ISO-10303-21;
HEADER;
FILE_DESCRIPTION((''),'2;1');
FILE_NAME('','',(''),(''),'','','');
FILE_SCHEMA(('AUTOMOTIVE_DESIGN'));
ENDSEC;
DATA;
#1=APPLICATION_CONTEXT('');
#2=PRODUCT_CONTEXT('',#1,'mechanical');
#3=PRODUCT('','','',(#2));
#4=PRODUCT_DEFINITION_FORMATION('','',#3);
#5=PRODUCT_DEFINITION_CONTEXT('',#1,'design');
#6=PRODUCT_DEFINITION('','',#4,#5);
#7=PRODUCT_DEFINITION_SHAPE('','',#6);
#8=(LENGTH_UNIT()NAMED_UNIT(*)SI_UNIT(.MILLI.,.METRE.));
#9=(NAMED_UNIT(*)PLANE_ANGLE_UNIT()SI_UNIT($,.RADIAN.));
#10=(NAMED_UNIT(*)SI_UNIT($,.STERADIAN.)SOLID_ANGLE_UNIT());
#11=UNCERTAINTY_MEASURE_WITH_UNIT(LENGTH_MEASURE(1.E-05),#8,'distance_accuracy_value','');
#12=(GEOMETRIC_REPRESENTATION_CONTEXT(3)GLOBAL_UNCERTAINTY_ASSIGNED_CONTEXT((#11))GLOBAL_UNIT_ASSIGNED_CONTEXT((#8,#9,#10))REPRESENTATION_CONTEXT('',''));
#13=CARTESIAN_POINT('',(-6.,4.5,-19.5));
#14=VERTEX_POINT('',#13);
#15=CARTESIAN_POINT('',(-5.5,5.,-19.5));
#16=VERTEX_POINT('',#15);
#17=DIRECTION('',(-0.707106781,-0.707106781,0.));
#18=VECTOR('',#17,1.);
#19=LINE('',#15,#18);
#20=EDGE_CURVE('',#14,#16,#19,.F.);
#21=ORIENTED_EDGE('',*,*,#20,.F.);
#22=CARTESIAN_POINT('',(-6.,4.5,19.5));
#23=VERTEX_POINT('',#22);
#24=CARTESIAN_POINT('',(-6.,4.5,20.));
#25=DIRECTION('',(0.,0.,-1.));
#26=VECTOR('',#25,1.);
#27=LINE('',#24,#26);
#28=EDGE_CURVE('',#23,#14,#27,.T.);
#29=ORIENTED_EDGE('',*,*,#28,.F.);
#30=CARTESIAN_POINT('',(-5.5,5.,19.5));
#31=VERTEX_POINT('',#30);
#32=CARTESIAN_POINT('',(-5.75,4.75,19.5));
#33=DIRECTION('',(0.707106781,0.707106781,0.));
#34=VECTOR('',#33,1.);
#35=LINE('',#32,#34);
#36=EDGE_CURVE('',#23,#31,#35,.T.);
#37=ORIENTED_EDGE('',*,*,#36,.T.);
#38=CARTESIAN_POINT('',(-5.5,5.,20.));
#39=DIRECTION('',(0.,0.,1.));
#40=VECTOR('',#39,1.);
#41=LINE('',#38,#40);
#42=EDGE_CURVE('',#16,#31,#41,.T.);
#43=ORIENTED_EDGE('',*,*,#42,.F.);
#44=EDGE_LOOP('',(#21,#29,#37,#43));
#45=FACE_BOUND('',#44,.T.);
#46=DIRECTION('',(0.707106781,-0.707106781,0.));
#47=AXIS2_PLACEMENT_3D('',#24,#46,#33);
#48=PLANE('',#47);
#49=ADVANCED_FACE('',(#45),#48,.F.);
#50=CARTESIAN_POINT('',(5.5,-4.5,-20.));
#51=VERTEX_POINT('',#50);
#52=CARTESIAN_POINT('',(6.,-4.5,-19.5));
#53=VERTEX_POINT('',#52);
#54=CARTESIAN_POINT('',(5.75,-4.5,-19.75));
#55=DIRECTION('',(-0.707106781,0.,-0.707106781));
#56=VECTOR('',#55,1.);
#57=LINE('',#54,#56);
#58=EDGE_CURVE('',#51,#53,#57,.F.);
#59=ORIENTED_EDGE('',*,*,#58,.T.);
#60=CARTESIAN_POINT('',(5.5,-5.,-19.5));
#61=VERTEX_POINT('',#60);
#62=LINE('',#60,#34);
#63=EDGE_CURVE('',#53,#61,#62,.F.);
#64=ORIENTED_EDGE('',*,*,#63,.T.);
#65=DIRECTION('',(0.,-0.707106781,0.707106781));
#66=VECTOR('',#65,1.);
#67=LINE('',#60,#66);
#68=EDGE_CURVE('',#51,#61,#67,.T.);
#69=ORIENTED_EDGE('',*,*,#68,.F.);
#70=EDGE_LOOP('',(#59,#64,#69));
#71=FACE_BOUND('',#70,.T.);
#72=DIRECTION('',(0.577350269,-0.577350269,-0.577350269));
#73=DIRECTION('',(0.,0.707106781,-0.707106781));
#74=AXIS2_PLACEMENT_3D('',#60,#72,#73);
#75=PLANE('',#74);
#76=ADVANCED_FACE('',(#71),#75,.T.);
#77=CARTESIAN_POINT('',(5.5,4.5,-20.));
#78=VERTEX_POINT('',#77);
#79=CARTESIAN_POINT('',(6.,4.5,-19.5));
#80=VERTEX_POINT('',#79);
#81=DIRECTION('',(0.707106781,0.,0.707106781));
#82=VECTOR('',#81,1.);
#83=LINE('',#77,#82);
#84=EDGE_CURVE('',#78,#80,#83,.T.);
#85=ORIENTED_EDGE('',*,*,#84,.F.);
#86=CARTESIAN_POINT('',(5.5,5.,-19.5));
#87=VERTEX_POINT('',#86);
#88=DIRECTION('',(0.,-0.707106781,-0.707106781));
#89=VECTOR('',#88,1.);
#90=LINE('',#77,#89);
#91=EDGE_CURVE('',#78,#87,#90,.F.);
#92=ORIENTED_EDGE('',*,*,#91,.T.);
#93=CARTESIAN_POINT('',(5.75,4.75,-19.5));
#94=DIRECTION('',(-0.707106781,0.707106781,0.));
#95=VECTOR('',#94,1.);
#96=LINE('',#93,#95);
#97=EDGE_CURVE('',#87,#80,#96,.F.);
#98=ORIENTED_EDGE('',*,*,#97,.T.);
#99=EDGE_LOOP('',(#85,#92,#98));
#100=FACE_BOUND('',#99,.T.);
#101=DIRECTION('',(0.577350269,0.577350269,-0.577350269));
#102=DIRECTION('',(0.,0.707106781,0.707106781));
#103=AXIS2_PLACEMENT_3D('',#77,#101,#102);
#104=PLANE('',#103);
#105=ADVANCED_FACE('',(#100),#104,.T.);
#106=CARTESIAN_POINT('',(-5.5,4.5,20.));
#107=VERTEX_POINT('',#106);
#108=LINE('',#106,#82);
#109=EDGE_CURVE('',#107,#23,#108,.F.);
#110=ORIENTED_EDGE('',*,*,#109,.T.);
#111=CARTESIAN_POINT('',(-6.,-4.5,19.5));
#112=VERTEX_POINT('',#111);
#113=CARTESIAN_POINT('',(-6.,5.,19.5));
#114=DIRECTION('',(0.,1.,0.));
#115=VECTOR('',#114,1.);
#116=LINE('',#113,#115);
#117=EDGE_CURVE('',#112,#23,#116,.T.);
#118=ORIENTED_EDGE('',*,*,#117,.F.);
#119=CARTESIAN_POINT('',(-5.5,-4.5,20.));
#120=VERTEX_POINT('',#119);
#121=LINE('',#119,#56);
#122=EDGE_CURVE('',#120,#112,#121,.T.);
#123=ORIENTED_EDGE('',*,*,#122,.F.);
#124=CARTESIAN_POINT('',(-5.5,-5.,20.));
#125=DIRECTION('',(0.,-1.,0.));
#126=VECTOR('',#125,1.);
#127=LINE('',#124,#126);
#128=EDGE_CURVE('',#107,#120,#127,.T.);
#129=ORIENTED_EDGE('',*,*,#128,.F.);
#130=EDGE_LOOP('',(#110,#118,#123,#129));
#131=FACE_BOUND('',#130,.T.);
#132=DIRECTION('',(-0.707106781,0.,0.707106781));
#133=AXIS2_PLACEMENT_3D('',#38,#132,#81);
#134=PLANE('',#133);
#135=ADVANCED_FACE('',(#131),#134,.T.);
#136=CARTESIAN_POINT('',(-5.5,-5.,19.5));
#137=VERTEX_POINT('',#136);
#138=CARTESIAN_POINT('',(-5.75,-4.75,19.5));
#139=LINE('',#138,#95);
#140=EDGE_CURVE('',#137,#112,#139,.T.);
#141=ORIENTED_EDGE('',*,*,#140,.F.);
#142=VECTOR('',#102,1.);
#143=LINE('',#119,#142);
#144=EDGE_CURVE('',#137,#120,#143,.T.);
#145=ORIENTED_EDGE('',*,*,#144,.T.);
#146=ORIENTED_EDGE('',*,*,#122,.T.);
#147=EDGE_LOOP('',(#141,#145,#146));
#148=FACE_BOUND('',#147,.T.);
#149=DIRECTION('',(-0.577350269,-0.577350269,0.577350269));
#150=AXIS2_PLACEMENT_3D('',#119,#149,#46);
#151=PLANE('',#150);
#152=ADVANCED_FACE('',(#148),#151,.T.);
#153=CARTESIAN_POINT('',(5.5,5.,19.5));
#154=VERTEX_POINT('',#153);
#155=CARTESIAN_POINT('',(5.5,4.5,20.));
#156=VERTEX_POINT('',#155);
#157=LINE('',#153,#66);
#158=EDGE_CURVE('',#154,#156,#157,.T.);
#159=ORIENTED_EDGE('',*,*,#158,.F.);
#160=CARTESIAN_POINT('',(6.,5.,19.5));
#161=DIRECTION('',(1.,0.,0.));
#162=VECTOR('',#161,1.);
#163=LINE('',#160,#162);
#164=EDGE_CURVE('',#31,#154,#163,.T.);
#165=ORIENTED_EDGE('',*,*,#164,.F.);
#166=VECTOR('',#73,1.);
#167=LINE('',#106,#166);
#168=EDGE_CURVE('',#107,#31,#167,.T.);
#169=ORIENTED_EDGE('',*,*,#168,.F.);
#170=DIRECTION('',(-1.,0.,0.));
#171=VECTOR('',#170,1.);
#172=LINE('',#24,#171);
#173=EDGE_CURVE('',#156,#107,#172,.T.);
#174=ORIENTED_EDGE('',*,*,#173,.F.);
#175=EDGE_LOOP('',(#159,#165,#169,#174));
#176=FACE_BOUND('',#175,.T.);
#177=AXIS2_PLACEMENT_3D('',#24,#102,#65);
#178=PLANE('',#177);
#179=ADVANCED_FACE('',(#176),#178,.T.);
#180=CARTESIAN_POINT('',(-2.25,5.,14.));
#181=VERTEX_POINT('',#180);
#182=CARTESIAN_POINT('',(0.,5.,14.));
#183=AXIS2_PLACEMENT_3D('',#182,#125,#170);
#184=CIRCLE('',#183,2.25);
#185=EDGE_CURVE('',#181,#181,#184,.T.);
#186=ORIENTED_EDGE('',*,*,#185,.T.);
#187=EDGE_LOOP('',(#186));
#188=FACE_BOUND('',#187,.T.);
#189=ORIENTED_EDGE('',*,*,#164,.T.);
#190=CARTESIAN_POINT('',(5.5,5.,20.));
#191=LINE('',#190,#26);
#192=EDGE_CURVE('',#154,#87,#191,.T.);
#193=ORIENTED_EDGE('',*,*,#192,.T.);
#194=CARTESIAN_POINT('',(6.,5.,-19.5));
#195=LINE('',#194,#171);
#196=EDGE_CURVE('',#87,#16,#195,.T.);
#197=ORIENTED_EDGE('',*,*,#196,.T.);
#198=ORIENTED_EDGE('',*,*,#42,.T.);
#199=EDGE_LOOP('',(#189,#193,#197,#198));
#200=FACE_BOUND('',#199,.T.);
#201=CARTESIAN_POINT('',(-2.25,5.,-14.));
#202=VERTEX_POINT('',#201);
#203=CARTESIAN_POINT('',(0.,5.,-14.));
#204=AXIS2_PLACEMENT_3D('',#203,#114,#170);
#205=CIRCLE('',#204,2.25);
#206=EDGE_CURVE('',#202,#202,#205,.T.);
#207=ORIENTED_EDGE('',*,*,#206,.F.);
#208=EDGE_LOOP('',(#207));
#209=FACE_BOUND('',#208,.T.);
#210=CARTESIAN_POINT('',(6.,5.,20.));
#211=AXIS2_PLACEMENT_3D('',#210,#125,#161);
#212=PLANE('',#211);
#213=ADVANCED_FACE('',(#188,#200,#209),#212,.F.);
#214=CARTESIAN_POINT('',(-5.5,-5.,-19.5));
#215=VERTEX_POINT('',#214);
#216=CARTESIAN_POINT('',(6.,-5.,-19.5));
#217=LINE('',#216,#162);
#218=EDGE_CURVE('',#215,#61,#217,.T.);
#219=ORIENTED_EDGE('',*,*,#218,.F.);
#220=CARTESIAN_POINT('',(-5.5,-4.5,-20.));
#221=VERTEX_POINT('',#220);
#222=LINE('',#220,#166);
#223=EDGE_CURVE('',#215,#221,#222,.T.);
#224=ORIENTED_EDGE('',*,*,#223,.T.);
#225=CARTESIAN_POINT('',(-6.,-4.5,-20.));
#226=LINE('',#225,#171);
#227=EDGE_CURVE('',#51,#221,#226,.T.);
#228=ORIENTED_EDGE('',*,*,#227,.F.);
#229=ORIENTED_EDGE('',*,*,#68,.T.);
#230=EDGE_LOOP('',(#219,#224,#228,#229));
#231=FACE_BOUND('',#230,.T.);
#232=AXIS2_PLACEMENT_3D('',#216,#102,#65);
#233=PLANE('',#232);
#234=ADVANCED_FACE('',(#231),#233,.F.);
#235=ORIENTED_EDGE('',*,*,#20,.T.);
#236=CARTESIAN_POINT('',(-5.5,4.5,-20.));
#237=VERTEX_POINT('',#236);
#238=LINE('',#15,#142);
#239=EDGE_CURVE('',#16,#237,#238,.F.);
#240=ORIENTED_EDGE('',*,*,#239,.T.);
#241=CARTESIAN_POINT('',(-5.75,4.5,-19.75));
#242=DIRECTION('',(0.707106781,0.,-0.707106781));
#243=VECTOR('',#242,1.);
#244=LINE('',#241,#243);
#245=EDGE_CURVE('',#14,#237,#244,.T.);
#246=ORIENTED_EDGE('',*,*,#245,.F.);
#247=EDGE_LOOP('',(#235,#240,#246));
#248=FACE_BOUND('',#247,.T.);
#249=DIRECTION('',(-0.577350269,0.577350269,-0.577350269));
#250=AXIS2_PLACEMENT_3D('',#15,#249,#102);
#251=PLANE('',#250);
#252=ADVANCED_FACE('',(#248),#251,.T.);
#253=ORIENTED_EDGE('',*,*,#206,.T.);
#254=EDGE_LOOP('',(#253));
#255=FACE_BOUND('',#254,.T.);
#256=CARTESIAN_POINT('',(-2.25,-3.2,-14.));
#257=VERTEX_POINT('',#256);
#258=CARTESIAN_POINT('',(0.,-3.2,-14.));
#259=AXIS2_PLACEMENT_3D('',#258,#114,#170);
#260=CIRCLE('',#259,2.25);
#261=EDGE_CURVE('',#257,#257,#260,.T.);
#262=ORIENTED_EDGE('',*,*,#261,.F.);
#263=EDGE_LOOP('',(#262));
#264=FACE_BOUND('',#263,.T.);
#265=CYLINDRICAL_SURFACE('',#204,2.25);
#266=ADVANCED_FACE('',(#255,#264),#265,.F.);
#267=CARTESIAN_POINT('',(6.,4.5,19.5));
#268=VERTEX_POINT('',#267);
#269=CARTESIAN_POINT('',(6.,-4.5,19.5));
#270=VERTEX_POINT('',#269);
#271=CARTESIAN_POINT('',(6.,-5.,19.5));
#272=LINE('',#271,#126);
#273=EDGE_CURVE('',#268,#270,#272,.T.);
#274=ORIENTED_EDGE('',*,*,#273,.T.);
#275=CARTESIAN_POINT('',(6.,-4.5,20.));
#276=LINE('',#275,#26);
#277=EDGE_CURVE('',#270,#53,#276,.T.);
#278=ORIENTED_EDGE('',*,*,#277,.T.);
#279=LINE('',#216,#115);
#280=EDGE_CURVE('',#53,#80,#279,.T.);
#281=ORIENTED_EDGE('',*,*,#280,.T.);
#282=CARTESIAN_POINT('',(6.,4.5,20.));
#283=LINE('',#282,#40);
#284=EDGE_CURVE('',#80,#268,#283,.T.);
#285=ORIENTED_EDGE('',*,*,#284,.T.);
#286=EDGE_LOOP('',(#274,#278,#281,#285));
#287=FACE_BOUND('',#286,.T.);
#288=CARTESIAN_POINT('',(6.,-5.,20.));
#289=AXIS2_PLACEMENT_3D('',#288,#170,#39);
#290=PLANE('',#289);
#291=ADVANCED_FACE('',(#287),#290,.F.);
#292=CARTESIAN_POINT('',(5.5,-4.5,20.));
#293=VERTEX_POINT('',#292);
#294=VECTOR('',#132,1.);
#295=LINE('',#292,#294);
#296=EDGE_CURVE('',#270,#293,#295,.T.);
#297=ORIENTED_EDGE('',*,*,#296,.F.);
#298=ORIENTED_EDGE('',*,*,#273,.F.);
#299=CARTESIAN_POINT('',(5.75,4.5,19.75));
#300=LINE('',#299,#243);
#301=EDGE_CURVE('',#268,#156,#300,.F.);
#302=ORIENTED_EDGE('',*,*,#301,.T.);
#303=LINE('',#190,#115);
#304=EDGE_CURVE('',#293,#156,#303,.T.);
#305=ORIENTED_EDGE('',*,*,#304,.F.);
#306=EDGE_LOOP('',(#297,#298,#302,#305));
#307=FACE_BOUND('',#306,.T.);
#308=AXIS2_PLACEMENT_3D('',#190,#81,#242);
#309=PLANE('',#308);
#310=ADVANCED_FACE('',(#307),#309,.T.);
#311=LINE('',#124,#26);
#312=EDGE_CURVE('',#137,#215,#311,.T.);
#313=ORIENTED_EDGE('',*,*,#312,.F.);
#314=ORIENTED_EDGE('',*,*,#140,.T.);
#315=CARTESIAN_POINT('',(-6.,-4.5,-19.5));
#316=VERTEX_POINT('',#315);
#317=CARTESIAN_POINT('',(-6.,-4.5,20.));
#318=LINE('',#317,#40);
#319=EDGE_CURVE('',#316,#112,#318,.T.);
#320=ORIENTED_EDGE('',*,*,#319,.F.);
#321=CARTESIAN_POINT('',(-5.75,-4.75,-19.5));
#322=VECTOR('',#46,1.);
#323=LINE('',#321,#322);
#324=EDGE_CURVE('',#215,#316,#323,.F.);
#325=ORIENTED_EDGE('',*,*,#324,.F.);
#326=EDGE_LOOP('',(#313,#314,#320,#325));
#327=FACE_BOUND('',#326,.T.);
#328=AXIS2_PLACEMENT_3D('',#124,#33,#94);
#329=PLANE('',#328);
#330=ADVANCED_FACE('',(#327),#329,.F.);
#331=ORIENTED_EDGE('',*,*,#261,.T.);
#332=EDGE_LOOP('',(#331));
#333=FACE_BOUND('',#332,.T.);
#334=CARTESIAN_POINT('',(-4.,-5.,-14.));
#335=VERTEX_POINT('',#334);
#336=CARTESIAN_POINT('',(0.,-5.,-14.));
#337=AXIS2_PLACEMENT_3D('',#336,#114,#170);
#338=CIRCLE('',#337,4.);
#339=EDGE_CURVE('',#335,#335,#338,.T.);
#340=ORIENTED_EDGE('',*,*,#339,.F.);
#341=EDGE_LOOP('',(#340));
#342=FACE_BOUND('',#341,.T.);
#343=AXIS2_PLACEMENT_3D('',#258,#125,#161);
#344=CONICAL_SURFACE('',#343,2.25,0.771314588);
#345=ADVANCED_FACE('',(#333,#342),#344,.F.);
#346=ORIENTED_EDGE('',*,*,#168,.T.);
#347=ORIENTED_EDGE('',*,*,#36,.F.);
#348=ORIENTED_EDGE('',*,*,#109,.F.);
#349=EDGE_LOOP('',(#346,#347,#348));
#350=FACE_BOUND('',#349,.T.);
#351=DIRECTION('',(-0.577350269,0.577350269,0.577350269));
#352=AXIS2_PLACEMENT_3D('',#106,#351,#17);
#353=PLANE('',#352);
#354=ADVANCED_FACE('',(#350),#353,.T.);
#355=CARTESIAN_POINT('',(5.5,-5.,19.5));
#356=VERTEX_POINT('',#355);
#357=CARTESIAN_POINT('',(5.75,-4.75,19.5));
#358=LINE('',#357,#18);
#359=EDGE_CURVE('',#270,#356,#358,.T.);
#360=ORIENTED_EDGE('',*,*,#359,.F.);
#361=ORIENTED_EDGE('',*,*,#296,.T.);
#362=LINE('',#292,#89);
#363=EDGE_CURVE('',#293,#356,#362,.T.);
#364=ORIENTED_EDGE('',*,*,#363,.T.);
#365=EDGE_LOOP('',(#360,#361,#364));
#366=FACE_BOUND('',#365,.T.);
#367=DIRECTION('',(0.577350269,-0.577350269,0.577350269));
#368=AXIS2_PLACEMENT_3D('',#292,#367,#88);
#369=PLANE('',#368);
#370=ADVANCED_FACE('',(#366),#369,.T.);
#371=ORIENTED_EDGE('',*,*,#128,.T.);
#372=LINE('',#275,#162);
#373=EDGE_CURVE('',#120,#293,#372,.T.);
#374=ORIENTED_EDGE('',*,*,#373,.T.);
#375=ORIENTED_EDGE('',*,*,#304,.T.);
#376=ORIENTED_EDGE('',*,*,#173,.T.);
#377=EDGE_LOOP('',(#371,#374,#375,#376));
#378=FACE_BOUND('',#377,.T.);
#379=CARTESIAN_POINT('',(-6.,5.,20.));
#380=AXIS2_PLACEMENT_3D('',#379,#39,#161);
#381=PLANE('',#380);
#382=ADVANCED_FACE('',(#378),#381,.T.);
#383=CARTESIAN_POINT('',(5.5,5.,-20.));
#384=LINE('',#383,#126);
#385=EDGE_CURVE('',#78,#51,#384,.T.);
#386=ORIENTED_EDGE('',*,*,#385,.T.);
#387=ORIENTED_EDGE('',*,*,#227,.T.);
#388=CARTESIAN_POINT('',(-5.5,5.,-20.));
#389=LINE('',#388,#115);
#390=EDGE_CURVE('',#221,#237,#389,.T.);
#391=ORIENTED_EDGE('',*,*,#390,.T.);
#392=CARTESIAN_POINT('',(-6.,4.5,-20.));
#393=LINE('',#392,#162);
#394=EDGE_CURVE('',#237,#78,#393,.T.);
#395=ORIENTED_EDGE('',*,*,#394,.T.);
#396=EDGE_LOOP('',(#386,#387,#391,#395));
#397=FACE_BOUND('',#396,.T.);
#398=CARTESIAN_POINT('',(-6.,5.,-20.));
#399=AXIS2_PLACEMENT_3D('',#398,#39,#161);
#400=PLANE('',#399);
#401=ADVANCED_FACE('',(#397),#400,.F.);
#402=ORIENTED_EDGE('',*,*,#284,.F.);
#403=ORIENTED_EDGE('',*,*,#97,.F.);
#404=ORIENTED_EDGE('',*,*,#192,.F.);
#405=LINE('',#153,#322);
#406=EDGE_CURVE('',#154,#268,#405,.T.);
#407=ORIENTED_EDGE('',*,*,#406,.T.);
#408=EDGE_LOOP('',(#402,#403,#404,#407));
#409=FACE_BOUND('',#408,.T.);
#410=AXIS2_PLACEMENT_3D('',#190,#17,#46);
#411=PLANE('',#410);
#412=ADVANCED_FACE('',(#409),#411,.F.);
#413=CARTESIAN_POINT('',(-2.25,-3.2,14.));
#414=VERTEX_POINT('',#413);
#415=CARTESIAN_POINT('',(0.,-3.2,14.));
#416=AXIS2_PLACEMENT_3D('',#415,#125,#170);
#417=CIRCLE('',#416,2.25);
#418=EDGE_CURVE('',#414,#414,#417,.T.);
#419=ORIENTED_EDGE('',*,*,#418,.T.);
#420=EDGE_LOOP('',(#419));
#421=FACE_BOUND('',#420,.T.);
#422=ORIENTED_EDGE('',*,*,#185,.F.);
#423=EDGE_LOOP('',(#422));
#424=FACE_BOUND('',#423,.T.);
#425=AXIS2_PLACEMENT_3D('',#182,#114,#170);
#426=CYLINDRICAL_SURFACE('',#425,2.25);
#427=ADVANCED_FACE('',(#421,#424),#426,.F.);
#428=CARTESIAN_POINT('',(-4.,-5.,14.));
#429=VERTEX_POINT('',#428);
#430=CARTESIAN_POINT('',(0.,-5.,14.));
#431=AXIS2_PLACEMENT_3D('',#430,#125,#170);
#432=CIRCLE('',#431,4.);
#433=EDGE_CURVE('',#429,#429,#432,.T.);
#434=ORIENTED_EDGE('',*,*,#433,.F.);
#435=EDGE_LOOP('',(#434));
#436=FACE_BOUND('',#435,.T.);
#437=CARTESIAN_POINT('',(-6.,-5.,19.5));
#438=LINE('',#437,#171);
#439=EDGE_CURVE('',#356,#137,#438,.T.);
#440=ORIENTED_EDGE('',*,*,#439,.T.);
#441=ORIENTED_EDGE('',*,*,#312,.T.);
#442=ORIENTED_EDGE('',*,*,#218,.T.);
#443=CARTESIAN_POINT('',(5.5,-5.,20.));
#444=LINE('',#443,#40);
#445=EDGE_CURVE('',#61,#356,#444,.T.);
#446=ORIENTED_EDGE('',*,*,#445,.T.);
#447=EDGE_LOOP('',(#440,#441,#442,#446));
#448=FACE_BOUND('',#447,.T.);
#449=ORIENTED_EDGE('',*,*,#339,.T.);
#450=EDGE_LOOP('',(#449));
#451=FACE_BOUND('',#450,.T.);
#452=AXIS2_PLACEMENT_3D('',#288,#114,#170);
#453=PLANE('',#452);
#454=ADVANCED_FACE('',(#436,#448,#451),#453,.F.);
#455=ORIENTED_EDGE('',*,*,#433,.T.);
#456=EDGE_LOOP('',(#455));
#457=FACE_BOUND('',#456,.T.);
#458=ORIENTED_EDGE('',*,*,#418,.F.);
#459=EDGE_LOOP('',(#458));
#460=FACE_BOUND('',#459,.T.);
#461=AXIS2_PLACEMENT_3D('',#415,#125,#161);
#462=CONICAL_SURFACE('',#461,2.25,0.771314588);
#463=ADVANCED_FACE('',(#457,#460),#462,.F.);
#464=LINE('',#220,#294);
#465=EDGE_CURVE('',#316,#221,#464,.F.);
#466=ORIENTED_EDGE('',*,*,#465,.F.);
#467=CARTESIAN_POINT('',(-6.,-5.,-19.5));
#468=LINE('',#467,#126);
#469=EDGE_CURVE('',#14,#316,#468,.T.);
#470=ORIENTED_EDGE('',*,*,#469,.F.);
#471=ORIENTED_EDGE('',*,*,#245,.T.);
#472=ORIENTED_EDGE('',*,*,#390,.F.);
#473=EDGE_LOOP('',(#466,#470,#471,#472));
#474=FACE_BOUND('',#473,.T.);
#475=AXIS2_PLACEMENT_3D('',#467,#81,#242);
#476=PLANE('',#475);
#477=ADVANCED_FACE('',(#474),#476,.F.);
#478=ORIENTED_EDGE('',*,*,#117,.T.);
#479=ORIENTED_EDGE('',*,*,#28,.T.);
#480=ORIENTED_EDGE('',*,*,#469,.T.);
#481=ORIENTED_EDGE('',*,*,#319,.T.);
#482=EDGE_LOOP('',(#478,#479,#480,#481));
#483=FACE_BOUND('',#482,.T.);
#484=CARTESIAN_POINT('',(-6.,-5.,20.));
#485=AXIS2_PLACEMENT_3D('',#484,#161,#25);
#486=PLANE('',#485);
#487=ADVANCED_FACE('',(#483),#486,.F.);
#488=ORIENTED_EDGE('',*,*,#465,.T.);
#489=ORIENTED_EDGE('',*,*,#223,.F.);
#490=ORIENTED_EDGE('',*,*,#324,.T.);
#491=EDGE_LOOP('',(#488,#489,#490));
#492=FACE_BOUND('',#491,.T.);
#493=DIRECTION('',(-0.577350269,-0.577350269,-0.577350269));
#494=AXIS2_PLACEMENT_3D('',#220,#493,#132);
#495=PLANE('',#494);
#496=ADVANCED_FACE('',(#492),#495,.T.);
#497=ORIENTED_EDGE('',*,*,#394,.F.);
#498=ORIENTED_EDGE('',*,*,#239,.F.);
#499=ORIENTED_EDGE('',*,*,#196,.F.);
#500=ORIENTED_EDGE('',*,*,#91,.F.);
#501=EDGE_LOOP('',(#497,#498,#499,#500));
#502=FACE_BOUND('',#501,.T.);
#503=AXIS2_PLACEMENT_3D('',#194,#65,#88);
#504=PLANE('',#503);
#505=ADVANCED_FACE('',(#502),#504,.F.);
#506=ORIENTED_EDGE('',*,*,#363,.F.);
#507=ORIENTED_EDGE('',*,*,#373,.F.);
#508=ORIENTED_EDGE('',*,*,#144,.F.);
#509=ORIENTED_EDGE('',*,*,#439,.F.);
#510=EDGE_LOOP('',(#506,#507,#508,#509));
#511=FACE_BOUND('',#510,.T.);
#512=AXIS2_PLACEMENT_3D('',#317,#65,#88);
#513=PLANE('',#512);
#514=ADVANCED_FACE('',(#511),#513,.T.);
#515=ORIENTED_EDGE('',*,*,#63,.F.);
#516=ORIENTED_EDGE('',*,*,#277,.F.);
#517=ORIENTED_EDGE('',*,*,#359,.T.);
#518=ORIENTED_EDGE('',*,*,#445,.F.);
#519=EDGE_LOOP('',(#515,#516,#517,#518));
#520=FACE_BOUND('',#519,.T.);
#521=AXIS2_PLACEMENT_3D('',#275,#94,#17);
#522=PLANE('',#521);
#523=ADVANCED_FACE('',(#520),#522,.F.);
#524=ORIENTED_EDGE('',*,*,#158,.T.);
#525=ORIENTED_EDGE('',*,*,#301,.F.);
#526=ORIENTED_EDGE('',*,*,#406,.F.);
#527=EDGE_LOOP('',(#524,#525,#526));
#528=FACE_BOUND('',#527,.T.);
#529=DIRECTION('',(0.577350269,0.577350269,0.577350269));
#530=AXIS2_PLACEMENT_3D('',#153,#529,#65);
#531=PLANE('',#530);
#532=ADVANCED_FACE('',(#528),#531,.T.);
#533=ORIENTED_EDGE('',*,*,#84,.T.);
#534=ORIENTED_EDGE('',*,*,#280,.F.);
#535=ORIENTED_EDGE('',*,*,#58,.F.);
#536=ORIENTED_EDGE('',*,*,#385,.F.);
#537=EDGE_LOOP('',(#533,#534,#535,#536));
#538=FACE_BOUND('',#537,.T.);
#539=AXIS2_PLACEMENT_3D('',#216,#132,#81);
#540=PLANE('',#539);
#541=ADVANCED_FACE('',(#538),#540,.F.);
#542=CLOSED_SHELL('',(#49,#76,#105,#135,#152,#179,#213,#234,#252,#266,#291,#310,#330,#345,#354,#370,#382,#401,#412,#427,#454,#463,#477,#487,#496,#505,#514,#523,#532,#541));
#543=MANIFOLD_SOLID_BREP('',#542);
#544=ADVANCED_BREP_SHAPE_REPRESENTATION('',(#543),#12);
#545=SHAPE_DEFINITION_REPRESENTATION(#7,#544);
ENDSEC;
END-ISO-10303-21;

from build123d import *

# Parameters (mm, degrees)
CROQUIS1_W              = 12
CROQUIS1_H              = 10
SALIENTE_EXTRUIR1_DEPTH = 20
CHAFL_N1_SIZE           = 0.5


with BuildPart() as part:
    # Croquis1 → Saliente-Extruir1 (new body, symmetric)
    with BuildSketch(Plane.XY):
        Rectangle(CROQUIS1_W, CROQUIS1_H)
    extrude(amount=SALIENTE_EXTRUIR1_DEPTH, both=True)

    # Croquis3 → Cortar-Revolución1 (revolve, cut)
    with BuildSketch(Plane.XY.offset(-14)):
        Polygon((0, 5), (-2.25, 5), (-2.25, -3.2), (-4, -5), (0, -5), align=None)
    cortar_revoluci_n1 = revolve(axis=Axis((0, 5, -14), (0, -1, 0)), mode=Mode.SUBTRACT)

    # Simetría1: Cortar-Revolución1 across plane
    add(cortar_revoluci_n1.mirror(Plane.XY), mode=Mode.SUBTRACT)

    # Chaflán1
    chafl_n1_edges = [part.edges().sort_by_distance(p)[0] for p in [
        (6, 0, 20),
        (0, 5, 20),
        (-6, 0, 20),
        (0, 5, -20),
        (6, 0, -20),
        (0, -5, -20),
        (-6, 0, -20),
        (0, -5, 20),
        (-6, 5, 0),
        (6, 5, 0),
        (6, -5, 0),
        (-6, -5, 0),
    ]]
    chamfer(chafl_n1_edges, length=CHAFL_N1_SIZE)


solid = part.part
